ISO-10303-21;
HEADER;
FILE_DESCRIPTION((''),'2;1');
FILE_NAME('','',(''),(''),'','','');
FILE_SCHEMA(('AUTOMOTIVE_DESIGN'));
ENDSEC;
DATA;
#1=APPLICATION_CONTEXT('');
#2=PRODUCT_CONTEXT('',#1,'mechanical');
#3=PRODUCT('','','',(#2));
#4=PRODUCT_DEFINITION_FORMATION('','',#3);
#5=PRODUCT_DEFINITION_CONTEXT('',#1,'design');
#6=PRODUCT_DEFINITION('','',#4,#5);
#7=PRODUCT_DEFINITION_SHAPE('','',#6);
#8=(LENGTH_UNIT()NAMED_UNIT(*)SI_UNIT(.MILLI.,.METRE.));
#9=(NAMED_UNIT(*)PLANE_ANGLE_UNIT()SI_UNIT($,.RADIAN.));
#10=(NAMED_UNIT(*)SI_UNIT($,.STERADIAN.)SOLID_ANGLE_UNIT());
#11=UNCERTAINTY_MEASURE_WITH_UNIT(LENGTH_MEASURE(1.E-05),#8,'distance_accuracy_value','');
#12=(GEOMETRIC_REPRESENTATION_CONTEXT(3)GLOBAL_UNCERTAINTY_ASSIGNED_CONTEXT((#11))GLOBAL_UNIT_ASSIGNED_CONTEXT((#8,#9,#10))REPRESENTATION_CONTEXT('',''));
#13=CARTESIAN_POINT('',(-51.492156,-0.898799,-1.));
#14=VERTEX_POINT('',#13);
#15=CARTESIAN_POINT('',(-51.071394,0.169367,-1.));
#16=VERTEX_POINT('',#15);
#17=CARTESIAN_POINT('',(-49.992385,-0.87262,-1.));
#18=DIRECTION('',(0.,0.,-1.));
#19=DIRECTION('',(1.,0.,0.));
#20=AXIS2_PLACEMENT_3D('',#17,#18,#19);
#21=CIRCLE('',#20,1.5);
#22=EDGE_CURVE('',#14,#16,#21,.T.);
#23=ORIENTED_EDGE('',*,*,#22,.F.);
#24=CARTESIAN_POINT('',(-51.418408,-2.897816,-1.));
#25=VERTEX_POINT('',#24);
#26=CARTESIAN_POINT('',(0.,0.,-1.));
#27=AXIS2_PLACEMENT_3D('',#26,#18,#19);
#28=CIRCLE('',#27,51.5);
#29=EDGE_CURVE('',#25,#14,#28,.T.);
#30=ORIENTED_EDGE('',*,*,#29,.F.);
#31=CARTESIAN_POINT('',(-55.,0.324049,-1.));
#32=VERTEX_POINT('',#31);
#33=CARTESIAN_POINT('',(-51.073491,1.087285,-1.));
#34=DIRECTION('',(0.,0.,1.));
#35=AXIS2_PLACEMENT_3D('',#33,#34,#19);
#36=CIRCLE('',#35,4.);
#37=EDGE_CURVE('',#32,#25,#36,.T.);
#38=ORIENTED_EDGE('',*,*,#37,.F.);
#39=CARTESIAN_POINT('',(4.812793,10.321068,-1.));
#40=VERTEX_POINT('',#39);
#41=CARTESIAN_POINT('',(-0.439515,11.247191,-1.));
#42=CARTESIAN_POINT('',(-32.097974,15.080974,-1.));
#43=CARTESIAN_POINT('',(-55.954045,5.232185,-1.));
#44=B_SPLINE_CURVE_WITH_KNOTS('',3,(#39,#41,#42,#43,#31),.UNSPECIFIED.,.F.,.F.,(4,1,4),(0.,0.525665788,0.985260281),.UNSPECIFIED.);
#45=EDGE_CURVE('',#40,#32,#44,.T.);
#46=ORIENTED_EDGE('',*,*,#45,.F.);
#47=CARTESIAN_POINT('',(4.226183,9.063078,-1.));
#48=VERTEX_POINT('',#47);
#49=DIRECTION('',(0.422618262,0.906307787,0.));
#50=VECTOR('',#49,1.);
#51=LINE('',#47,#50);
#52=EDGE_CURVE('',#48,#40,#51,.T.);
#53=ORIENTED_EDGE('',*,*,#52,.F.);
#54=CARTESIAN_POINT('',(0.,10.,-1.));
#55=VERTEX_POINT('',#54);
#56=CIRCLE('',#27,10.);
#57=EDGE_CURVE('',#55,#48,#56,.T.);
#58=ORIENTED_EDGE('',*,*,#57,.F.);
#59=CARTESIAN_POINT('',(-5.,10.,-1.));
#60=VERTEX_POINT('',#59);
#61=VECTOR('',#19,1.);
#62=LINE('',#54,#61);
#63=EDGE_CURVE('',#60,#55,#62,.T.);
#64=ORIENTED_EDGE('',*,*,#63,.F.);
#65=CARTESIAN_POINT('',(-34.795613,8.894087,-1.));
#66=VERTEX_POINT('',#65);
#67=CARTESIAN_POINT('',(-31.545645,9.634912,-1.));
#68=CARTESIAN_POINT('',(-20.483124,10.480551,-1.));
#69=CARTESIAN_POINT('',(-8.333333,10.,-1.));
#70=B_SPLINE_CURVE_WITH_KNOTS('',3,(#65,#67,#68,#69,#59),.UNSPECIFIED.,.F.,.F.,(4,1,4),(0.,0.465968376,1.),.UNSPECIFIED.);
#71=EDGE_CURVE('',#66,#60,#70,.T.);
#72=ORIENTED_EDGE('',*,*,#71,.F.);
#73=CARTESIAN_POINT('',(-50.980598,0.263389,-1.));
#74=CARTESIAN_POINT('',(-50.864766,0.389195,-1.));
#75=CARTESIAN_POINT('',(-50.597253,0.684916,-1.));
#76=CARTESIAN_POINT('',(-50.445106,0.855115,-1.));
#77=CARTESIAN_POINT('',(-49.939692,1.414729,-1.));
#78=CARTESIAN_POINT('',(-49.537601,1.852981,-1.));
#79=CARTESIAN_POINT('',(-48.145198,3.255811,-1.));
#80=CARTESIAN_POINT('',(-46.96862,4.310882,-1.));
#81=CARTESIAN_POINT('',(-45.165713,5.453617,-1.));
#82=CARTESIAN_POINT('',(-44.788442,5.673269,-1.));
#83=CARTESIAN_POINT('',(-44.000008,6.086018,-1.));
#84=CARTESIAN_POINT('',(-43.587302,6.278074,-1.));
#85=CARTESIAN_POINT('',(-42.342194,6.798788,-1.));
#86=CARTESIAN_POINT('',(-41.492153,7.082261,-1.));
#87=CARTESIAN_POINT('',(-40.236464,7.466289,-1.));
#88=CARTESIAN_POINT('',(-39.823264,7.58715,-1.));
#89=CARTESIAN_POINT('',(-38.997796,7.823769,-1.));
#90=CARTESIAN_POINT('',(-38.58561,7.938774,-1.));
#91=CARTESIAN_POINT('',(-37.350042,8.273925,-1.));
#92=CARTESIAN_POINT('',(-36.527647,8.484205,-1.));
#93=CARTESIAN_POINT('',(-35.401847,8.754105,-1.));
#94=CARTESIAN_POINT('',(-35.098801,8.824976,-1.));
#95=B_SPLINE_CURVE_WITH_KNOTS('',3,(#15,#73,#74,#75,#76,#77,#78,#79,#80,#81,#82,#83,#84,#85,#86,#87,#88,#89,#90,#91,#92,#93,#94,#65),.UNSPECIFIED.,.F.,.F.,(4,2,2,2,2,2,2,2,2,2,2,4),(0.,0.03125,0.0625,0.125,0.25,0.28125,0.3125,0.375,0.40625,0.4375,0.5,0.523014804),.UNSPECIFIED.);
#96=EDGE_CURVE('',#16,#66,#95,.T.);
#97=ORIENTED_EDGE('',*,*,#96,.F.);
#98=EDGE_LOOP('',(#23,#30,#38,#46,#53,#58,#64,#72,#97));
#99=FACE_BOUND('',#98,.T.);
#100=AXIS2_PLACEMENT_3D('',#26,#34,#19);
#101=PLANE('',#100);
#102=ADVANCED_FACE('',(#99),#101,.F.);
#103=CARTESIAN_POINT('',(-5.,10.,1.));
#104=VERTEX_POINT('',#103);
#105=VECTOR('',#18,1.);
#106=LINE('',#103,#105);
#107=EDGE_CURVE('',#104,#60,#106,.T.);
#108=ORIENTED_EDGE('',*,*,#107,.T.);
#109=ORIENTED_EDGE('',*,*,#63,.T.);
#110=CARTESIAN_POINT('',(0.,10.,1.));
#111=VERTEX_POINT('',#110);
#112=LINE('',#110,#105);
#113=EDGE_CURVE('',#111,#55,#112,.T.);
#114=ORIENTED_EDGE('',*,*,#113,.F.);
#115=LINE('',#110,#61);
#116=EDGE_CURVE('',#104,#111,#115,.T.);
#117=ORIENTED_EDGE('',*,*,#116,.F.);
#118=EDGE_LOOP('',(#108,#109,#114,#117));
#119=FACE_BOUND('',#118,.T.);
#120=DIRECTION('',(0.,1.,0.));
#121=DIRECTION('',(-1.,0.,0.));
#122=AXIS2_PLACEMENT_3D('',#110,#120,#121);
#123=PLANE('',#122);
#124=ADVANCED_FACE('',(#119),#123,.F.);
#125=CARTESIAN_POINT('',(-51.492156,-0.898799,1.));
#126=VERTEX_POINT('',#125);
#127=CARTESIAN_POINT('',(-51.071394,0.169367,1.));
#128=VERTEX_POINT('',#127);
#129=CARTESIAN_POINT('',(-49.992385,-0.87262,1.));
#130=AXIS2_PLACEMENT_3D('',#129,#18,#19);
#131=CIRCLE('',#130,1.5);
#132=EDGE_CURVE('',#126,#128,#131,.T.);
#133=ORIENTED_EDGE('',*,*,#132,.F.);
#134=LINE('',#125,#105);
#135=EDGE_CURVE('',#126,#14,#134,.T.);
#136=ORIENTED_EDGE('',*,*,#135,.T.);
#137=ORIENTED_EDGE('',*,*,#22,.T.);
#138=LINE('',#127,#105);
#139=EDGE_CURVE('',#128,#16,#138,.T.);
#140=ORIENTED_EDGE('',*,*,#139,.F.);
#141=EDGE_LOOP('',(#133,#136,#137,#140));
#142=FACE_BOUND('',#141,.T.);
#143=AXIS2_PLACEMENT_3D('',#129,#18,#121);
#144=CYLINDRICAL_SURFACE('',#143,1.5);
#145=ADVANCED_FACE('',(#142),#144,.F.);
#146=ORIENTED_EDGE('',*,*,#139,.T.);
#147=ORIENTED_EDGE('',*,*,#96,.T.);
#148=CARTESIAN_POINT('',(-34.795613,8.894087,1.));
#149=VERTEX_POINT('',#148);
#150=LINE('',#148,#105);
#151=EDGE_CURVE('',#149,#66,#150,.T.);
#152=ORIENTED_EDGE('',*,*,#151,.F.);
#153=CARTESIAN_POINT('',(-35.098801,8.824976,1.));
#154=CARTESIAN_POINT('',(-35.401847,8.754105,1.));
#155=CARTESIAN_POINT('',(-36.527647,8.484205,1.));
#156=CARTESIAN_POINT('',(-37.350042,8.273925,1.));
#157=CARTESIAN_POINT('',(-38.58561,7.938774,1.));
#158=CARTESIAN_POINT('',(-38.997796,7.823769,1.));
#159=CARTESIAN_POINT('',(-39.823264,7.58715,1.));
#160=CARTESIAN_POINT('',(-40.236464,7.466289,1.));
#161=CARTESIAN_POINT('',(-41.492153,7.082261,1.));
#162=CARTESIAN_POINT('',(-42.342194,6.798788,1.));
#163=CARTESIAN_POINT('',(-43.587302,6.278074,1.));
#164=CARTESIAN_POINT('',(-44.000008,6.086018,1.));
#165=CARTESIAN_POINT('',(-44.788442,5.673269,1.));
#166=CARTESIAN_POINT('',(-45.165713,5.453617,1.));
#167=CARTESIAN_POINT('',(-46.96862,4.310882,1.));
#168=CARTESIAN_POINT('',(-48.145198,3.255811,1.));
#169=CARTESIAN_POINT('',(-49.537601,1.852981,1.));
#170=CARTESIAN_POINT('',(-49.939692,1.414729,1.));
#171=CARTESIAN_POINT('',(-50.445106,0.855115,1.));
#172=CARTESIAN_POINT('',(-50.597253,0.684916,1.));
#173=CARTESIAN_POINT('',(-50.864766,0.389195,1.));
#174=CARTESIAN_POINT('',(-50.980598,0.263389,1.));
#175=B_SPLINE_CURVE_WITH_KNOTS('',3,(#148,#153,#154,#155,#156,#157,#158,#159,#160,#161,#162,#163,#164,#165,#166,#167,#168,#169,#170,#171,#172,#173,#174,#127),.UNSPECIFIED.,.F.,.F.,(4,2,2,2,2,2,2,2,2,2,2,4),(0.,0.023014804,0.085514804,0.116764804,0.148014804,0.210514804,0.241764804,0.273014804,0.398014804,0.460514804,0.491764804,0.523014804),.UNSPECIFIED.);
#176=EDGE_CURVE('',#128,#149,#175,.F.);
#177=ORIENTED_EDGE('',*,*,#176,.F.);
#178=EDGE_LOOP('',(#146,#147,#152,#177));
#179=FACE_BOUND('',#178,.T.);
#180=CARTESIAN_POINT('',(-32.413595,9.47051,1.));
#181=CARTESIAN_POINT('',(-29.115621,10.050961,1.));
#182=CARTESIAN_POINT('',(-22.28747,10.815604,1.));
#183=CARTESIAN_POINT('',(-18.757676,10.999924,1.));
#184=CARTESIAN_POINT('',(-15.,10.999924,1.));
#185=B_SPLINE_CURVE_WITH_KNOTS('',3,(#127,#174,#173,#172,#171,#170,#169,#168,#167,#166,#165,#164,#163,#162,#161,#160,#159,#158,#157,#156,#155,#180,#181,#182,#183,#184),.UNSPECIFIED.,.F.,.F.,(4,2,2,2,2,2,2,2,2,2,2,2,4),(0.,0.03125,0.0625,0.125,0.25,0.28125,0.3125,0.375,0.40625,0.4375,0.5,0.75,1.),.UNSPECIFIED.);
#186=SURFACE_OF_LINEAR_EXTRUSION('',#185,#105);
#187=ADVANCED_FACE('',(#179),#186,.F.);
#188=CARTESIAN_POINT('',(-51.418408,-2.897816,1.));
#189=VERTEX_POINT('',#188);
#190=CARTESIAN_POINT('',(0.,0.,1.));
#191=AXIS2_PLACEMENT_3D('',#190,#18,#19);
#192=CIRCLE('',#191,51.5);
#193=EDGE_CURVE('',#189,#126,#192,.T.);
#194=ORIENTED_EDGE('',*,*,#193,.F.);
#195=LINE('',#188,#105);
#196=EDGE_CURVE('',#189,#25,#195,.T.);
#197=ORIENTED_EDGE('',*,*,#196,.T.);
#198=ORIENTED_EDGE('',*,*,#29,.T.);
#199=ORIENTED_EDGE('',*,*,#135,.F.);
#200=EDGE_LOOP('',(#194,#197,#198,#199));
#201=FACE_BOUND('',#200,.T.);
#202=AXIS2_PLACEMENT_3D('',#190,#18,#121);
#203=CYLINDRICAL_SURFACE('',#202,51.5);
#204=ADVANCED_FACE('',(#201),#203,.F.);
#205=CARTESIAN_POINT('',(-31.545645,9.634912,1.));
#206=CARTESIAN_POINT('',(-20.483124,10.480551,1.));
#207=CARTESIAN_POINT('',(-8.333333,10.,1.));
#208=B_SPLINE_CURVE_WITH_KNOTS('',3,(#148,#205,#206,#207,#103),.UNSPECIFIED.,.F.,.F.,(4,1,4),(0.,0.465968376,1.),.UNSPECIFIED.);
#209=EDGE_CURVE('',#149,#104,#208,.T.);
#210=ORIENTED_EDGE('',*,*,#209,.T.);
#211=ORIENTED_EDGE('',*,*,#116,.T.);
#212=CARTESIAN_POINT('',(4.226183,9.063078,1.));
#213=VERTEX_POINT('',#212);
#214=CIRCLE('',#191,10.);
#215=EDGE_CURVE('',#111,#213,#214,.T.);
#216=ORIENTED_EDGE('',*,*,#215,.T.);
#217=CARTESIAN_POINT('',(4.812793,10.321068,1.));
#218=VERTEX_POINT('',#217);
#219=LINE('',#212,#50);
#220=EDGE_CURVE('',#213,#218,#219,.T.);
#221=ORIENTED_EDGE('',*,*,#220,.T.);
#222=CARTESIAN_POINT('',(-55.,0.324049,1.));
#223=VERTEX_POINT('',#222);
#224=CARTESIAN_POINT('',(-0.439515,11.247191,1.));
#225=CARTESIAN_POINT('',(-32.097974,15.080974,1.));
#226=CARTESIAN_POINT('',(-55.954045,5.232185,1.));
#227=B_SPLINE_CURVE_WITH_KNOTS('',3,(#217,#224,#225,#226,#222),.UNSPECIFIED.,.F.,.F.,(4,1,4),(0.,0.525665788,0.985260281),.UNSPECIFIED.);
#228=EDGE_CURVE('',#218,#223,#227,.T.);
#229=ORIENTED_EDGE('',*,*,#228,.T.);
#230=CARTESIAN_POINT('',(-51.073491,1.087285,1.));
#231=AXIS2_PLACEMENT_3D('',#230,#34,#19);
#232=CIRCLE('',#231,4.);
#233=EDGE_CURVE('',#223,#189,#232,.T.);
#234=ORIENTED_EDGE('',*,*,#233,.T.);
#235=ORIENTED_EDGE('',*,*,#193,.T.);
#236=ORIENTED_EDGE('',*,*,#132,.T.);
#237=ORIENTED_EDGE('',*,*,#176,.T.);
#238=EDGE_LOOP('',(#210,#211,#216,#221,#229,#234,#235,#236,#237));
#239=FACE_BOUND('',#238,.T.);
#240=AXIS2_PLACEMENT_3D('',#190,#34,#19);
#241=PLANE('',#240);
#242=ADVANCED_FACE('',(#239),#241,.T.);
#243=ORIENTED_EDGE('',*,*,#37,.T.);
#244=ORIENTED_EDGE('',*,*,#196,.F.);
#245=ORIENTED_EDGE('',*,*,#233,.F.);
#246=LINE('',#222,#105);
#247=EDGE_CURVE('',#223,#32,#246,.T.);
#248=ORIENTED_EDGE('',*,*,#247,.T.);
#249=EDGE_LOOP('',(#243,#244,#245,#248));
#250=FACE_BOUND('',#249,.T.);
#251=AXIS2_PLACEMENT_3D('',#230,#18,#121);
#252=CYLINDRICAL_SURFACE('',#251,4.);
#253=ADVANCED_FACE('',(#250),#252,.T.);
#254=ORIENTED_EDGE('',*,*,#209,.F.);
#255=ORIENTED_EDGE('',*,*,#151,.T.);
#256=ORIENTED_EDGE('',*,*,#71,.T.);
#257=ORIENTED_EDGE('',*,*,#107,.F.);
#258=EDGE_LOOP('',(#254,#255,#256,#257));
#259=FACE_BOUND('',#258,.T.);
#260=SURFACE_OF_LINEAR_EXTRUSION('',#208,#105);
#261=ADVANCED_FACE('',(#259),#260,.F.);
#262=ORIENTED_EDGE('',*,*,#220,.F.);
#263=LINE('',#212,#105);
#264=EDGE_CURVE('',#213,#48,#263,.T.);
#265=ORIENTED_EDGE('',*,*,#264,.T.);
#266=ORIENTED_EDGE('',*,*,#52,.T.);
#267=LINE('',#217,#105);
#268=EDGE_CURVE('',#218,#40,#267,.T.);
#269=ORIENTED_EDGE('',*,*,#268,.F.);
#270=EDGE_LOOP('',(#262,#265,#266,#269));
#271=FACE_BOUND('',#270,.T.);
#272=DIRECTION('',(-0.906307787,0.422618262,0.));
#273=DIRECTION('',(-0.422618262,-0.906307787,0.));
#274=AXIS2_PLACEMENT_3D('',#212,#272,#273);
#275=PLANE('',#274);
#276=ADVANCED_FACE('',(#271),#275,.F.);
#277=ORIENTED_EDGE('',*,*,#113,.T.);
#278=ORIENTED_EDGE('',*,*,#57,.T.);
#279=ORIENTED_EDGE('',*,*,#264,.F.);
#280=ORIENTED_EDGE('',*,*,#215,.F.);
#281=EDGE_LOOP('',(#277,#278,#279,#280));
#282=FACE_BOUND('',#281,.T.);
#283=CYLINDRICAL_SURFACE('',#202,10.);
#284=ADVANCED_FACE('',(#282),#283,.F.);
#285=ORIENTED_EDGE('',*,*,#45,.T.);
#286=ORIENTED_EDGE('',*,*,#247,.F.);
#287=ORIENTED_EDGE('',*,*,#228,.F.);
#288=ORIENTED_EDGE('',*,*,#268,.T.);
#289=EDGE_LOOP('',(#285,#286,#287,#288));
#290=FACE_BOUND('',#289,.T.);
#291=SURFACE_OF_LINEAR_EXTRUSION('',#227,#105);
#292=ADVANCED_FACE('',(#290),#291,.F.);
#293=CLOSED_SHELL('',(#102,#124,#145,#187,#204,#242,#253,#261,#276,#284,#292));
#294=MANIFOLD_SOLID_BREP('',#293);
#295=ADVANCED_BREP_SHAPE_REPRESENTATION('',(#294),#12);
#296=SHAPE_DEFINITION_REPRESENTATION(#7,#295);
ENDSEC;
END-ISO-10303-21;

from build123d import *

# Parameters (mm, degrees)
P_IDAT_VYSUNUT_M1_DEPTH = 1


with BuildPart() as part:
    # Skica1 → Přidat vysunutím1 (new, symmetric)
    with BuildSketch(Plane.XY):
        with BuildLine():
            Line((0, 10), (-5, 10))
            add(Edge.make_bspline(
                [(-5, 10), (-8.333333333, 10), (-20.483124003, 10.480551078), (-31.545644915, 9.63491203), (-34.795612613, 8.894087439)],
                knots=[0, 0, 0, 0, 0.534031624, 1, 1, 1, 1], degree=3))
            add(Edge.make_bspline(
                [(-34.795612613, 8.894087439), (-35.098801198, 8.824976118), (-35.401847399, 8.754105152), (-36.527647002, 8.484205361), (-37.350041762, 8.273925014), (-38.585610164, 7.938774284), (-38.997795956, 7.823769118), (-39.823263845, 7.587149684), (-40.236463849, 7.46628865), (-41.492153235, 7.08226066), (-42.342193993, 6.798788339), (-43.587301665, 6.278073912), (-44.000007617, 6.086017609), (-44.788441649, 5.673269167), (-45.165712934, 5.453616504), (-46.968620216, 4.310881513), (-48.145197593, 3.255811413), (-49.537601283, 1.852981398), (-49.939692058, 1.414729225), (-50.445106342, 0.855114539), (-50.597252853, 0.684916497), (-50.864765777, 0.3891951), (-50.980598253, 0.263389457), (-51.071394458, 0.169367234)],
                knots=[0.476985196, 0.476985196, 0.476985196, 0.476985196, 0.5, 0.5, 0.5625, 0.5625, 0.59375, 0.59375, 0.625, 0.625, 0.6875, 0.6875, 0.71875, 0.71875, 0.75, 0.75, 0.875, 0.875, 0.9375, 0.9375, 0.96875, 0.96875, 1, 1, 1, 1], degree=3))
            ThreePointArc((-51.071394458, 0.169367234), (-51.38801111, -0.322868482), (-51.492156301, -0.898798932))
            ThreePointArc((-51.492156301, -0.898798932), (-51.464988764, -1.898665721), (-51.4184078, -2.897816303))
            ThreePointArc((-51.4184078, -2.897816303), (-53.748630988, -1.886538688), (-55, 0.324049043))
            add(Edge.make_bspline(
                [(4.812792818, 10.321067504), (-0.439515198, 11.247191119), (-32.097973841, 15.080973729), (-55.954044977, 5.23218496), (-55, 0.324049043)],
                knots=[0, 0, 0, 0, 0.525665788, 0.985260281, 0.985260281, 0.985260281, 0.985260281], degree=3))
            Line((4.812792818, 10.321067504), (4.226182617, 9.06307787))
            ThreePointArc((4.226182617, 9.06307787), (2.164396139, 9.762960071), (0, 10))
        make_face()
    extrude(amount=P_IDAT_VYSUNUT_M1_DEPTH, both=True)


solid = part.part
